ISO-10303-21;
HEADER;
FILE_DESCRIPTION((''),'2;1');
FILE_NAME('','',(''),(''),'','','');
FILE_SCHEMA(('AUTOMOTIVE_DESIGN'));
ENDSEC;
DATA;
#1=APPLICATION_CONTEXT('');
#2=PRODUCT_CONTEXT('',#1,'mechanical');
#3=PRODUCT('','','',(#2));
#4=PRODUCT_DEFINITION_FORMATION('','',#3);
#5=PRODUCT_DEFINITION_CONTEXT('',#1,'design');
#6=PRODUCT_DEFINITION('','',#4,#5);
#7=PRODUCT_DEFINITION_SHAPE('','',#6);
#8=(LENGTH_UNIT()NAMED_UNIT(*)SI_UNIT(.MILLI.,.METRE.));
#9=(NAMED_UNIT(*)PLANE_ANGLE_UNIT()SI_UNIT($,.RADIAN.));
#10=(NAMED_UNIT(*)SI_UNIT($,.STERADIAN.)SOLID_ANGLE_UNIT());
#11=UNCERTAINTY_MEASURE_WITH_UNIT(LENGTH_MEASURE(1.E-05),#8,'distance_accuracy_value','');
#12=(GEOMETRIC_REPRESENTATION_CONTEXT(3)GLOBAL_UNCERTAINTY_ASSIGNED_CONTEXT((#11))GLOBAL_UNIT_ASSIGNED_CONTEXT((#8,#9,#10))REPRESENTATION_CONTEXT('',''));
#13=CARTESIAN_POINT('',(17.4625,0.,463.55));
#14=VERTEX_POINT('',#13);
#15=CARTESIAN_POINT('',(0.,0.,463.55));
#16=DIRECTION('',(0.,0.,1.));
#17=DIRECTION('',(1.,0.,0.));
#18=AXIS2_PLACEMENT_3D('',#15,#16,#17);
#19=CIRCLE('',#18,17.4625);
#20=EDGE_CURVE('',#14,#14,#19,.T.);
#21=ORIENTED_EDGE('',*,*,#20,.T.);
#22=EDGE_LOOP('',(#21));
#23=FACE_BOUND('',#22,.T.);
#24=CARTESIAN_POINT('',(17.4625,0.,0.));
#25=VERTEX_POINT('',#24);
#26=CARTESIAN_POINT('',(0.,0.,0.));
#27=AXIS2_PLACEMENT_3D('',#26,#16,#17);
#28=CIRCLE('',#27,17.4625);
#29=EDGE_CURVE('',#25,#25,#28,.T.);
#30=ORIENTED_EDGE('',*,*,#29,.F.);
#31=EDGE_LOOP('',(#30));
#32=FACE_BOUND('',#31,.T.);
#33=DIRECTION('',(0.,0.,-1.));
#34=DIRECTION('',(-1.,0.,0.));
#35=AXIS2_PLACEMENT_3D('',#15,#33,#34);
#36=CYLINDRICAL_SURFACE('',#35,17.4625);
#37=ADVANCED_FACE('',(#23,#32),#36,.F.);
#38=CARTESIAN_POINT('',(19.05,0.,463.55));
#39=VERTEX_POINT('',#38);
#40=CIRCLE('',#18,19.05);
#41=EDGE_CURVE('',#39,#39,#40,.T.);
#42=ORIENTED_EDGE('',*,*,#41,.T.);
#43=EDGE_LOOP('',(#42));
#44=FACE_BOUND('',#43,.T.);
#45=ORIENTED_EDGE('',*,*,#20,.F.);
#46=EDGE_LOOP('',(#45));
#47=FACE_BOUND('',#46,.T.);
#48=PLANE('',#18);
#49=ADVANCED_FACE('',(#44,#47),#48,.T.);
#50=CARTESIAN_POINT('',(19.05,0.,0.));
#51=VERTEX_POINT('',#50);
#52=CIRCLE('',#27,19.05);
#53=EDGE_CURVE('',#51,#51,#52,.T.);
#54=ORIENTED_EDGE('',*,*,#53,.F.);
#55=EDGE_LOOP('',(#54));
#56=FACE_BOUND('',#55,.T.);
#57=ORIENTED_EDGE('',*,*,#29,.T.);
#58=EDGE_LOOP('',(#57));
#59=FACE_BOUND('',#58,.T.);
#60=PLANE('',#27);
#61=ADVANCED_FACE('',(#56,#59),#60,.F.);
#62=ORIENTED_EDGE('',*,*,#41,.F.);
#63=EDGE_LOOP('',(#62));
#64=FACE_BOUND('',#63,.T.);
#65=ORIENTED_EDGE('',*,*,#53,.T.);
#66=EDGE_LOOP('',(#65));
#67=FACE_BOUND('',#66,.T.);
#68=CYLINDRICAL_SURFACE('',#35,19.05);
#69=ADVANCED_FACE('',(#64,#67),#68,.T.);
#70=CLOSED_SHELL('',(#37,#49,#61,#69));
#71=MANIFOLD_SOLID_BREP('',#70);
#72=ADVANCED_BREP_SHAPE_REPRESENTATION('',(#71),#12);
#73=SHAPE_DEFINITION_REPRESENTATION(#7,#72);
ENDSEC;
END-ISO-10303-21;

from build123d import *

# Parameters (mm, degrees)
MOTOR_CASING_R      = 19.05
MOTOR_CASING_R_2    = 17.4625
BOSS_EXTRUDE1_DEPTH = 463.55


with BuildPart() as part:
    # Motor Casing → Boss-Extrude1 (new body)
    with BuildSketch(Plane.XY):
        Circle(MOTOR_CASING_R)
        Circle(MOTOR_CASING_R_2, mode=Mode.SUBTRACT)
    extrude(amount=BOSS_EXTRUDE1_DEPTH)


solid = part.part
